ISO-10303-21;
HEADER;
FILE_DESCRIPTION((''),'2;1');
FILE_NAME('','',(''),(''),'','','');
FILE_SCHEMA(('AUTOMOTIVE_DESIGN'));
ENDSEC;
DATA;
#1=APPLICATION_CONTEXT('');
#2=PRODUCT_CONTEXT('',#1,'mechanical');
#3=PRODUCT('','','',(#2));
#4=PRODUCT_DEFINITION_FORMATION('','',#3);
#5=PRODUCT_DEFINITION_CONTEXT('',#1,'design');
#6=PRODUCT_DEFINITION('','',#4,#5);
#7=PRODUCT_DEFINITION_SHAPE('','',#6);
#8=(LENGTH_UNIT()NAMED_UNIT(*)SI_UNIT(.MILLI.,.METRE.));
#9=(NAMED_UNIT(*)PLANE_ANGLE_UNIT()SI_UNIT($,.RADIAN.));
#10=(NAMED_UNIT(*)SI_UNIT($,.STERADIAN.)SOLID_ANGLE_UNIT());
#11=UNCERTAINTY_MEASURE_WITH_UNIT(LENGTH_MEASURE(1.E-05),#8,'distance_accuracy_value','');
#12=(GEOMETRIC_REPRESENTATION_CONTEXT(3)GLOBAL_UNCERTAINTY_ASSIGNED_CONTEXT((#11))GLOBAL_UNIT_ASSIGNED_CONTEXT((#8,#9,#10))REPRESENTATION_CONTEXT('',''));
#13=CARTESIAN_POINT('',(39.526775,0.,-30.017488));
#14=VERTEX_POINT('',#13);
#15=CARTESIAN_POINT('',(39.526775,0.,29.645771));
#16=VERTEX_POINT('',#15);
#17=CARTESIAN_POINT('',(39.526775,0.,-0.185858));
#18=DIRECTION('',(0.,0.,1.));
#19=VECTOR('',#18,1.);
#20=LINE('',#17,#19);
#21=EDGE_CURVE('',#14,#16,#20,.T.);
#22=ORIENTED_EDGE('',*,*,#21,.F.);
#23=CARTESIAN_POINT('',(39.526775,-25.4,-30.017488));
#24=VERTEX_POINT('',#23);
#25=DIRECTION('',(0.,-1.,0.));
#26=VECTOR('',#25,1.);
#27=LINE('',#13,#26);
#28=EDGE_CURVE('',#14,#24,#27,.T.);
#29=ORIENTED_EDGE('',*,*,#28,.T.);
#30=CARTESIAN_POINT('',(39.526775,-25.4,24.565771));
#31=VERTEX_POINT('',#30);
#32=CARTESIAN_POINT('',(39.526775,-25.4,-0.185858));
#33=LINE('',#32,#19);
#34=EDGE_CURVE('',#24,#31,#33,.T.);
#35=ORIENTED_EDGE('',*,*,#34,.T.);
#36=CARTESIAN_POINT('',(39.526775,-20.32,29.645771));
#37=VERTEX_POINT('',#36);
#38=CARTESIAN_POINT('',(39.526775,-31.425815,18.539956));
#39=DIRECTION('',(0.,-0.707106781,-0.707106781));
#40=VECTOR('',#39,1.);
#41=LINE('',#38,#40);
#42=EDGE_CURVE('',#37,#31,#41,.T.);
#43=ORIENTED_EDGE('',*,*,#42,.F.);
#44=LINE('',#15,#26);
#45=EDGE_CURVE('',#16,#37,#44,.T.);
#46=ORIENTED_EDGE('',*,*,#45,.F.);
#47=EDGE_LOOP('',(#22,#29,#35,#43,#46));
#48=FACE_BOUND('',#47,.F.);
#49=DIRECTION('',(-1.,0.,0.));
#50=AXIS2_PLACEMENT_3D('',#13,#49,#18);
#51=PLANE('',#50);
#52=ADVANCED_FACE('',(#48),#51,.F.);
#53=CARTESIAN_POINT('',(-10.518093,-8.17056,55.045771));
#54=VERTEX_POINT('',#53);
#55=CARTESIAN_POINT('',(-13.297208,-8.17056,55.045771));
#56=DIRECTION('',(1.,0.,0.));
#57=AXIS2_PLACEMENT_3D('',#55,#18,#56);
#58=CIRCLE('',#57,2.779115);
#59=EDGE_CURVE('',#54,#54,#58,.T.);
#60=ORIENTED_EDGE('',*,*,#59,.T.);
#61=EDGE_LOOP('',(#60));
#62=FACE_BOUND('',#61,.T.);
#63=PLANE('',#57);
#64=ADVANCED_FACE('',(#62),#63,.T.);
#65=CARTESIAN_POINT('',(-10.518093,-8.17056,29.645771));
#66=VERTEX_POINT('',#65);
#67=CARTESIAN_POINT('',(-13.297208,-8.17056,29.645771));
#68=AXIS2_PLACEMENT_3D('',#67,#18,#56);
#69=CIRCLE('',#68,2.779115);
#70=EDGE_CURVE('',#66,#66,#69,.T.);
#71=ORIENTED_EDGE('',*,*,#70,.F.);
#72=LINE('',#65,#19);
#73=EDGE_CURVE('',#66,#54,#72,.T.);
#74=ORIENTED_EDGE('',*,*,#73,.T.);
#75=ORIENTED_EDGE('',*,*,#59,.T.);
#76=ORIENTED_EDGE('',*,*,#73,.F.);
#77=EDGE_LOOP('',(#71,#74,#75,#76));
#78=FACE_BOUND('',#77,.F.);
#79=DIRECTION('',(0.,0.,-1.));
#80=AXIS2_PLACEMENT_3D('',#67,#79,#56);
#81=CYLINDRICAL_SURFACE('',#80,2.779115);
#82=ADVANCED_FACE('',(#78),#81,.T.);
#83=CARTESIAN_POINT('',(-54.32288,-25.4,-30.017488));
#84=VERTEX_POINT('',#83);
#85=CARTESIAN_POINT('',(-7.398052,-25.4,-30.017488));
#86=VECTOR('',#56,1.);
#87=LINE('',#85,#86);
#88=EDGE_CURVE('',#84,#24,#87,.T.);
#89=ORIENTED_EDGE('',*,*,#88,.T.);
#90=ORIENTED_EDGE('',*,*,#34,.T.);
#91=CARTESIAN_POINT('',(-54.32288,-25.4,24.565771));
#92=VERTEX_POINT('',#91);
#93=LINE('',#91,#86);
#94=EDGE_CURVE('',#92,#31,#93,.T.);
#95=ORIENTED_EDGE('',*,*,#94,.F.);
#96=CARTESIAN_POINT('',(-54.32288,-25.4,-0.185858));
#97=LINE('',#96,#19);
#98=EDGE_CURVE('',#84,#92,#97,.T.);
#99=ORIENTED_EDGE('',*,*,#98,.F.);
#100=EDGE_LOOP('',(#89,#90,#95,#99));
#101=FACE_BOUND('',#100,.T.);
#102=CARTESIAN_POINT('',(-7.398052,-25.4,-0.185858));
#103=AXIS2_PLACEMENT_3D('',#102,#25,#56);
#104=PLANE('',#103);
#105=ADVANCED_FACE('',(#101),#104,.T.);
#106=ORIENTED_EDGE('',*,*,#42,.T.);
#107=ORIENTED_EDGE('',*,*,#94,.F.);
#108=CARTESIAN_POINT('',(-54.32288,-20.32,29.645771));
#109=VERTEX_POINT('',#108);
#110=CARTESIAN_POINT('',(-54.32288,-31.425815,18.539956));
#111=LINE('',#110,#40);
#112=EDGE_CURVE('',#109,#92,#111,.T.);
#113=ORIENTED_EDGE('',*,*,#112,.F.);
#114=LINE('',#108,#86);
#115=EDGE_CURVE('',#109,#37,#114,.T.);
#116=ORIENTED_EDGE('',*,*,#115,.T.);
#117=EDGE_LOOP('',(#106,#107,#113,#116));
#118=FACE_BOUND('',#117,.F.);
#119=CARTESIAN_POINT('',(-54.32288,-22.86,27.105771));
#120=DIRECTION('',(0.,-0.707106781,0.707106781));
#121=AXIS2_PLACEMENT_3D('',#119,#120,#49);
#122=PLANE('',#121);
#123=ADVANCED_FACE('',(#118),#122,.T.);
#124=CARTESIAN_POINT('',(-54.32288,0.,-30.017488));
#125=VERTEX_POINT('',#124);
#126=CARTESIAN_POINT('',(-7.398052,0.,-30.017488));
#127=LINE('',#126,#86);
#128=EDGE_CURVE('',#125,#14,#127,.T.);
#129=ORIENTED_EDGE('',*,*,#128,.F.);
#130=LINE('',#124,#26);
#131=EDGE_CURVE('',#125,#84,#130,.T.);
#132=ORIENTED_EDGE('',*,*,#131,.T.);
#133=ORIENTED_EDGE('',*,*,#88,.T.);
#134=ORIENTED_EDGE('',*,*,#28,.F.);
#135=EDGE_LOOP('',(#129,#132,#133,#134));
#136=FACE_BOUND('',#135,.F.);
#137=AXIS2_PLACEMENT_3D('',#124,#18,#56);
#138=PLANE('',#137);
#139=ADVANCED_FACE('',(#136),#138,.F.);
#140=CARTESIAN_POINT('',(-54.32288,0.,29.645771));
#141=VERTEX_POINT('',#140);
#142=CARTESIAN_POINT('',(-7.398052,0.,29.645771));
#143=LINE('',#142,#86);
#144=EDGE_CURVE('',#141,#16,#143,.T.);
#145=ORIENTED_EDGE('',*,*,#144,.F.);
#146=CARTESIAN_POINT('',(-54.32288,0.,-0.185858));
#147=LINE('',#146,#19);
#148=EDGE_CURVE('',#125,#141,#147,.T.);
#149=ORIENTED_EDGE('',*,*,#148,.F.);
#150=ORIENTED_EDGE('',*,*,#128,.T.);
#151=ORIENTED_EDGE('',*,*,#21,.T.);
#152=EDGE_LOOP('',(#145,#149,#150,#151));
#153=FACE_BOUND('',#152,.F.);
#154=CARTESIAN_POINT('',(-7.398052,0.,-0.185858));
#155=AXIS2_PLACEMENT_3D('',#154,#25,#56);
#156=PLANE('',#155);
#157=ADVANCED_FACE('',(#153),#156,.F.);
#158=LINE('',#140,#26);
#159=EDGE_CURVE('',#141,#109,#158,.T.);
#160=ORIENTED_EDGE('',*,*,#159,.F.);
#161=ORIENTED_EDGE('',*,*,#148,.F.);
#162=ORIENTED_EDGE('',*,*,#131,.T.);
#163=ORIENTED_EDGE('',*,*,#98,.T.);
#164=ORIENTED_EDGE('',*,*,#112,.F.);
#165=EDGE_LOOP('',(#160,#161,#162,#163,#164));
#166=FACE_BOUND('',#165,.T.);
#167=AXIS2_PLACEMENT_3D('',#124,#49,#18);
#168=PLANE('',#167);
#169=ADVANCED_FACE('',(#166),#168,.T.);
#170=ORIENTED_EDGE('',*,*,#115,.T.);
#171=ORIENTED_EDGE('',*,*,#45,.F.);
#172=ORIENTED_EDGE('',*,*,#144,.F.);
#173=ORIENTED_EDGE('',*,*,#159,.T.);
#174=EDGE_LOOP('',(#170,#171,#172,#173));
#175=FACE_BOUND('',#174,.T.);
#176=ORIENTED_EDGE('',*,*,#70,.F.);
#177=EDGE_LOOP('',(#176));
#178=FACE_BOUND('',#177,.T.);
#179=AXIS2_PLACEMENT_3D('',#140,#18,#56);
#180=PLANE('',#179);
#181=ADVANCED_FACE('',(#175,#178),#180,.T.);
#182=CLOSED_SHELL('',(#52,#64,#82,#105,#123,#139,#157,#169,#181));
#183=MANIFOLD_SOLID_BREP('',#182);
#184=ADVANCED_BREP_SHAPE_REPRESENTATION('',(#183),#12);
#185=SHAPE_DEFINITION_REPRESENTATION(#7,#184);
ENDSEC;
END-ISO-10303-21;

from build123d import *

# Parameters (mm, degrees)
F0_W     = 93.8496552408
F0_H     = 59.6632584929
F1_DEPTH = 25.4
F2_SIZE  = 5.08
F3_R     = 2.779114803
F4_DEPTH = 25.4


with BuildPart() as f1:
    # F0 (on Front) → F1 (new body)
    with BuildSketch(Plane.XZ):
        with Locations((-7.3980521411, -0.1858584583)):
            Rectangle(F0_W, F0_H)
    extrude(amount=F1_DEPTH)

    # F2
    f2_edges = [f1.edges().sort_by_distance(p)[0] for p in [
        (-7.398052, -25.4, 29.645771),
    ]]
    chamfer(f2_edges, length=F2_SIZE)

    # F3 (on face) → F4 (join)
    with BuildSketch(Plane.XY.offset(29.6457707882)):
        with Locations((-13.2972076535, -8.1705600023)):
            Circle(F3_R)
    extrude(amount=F4_DEPTH)


solid = f1.part
